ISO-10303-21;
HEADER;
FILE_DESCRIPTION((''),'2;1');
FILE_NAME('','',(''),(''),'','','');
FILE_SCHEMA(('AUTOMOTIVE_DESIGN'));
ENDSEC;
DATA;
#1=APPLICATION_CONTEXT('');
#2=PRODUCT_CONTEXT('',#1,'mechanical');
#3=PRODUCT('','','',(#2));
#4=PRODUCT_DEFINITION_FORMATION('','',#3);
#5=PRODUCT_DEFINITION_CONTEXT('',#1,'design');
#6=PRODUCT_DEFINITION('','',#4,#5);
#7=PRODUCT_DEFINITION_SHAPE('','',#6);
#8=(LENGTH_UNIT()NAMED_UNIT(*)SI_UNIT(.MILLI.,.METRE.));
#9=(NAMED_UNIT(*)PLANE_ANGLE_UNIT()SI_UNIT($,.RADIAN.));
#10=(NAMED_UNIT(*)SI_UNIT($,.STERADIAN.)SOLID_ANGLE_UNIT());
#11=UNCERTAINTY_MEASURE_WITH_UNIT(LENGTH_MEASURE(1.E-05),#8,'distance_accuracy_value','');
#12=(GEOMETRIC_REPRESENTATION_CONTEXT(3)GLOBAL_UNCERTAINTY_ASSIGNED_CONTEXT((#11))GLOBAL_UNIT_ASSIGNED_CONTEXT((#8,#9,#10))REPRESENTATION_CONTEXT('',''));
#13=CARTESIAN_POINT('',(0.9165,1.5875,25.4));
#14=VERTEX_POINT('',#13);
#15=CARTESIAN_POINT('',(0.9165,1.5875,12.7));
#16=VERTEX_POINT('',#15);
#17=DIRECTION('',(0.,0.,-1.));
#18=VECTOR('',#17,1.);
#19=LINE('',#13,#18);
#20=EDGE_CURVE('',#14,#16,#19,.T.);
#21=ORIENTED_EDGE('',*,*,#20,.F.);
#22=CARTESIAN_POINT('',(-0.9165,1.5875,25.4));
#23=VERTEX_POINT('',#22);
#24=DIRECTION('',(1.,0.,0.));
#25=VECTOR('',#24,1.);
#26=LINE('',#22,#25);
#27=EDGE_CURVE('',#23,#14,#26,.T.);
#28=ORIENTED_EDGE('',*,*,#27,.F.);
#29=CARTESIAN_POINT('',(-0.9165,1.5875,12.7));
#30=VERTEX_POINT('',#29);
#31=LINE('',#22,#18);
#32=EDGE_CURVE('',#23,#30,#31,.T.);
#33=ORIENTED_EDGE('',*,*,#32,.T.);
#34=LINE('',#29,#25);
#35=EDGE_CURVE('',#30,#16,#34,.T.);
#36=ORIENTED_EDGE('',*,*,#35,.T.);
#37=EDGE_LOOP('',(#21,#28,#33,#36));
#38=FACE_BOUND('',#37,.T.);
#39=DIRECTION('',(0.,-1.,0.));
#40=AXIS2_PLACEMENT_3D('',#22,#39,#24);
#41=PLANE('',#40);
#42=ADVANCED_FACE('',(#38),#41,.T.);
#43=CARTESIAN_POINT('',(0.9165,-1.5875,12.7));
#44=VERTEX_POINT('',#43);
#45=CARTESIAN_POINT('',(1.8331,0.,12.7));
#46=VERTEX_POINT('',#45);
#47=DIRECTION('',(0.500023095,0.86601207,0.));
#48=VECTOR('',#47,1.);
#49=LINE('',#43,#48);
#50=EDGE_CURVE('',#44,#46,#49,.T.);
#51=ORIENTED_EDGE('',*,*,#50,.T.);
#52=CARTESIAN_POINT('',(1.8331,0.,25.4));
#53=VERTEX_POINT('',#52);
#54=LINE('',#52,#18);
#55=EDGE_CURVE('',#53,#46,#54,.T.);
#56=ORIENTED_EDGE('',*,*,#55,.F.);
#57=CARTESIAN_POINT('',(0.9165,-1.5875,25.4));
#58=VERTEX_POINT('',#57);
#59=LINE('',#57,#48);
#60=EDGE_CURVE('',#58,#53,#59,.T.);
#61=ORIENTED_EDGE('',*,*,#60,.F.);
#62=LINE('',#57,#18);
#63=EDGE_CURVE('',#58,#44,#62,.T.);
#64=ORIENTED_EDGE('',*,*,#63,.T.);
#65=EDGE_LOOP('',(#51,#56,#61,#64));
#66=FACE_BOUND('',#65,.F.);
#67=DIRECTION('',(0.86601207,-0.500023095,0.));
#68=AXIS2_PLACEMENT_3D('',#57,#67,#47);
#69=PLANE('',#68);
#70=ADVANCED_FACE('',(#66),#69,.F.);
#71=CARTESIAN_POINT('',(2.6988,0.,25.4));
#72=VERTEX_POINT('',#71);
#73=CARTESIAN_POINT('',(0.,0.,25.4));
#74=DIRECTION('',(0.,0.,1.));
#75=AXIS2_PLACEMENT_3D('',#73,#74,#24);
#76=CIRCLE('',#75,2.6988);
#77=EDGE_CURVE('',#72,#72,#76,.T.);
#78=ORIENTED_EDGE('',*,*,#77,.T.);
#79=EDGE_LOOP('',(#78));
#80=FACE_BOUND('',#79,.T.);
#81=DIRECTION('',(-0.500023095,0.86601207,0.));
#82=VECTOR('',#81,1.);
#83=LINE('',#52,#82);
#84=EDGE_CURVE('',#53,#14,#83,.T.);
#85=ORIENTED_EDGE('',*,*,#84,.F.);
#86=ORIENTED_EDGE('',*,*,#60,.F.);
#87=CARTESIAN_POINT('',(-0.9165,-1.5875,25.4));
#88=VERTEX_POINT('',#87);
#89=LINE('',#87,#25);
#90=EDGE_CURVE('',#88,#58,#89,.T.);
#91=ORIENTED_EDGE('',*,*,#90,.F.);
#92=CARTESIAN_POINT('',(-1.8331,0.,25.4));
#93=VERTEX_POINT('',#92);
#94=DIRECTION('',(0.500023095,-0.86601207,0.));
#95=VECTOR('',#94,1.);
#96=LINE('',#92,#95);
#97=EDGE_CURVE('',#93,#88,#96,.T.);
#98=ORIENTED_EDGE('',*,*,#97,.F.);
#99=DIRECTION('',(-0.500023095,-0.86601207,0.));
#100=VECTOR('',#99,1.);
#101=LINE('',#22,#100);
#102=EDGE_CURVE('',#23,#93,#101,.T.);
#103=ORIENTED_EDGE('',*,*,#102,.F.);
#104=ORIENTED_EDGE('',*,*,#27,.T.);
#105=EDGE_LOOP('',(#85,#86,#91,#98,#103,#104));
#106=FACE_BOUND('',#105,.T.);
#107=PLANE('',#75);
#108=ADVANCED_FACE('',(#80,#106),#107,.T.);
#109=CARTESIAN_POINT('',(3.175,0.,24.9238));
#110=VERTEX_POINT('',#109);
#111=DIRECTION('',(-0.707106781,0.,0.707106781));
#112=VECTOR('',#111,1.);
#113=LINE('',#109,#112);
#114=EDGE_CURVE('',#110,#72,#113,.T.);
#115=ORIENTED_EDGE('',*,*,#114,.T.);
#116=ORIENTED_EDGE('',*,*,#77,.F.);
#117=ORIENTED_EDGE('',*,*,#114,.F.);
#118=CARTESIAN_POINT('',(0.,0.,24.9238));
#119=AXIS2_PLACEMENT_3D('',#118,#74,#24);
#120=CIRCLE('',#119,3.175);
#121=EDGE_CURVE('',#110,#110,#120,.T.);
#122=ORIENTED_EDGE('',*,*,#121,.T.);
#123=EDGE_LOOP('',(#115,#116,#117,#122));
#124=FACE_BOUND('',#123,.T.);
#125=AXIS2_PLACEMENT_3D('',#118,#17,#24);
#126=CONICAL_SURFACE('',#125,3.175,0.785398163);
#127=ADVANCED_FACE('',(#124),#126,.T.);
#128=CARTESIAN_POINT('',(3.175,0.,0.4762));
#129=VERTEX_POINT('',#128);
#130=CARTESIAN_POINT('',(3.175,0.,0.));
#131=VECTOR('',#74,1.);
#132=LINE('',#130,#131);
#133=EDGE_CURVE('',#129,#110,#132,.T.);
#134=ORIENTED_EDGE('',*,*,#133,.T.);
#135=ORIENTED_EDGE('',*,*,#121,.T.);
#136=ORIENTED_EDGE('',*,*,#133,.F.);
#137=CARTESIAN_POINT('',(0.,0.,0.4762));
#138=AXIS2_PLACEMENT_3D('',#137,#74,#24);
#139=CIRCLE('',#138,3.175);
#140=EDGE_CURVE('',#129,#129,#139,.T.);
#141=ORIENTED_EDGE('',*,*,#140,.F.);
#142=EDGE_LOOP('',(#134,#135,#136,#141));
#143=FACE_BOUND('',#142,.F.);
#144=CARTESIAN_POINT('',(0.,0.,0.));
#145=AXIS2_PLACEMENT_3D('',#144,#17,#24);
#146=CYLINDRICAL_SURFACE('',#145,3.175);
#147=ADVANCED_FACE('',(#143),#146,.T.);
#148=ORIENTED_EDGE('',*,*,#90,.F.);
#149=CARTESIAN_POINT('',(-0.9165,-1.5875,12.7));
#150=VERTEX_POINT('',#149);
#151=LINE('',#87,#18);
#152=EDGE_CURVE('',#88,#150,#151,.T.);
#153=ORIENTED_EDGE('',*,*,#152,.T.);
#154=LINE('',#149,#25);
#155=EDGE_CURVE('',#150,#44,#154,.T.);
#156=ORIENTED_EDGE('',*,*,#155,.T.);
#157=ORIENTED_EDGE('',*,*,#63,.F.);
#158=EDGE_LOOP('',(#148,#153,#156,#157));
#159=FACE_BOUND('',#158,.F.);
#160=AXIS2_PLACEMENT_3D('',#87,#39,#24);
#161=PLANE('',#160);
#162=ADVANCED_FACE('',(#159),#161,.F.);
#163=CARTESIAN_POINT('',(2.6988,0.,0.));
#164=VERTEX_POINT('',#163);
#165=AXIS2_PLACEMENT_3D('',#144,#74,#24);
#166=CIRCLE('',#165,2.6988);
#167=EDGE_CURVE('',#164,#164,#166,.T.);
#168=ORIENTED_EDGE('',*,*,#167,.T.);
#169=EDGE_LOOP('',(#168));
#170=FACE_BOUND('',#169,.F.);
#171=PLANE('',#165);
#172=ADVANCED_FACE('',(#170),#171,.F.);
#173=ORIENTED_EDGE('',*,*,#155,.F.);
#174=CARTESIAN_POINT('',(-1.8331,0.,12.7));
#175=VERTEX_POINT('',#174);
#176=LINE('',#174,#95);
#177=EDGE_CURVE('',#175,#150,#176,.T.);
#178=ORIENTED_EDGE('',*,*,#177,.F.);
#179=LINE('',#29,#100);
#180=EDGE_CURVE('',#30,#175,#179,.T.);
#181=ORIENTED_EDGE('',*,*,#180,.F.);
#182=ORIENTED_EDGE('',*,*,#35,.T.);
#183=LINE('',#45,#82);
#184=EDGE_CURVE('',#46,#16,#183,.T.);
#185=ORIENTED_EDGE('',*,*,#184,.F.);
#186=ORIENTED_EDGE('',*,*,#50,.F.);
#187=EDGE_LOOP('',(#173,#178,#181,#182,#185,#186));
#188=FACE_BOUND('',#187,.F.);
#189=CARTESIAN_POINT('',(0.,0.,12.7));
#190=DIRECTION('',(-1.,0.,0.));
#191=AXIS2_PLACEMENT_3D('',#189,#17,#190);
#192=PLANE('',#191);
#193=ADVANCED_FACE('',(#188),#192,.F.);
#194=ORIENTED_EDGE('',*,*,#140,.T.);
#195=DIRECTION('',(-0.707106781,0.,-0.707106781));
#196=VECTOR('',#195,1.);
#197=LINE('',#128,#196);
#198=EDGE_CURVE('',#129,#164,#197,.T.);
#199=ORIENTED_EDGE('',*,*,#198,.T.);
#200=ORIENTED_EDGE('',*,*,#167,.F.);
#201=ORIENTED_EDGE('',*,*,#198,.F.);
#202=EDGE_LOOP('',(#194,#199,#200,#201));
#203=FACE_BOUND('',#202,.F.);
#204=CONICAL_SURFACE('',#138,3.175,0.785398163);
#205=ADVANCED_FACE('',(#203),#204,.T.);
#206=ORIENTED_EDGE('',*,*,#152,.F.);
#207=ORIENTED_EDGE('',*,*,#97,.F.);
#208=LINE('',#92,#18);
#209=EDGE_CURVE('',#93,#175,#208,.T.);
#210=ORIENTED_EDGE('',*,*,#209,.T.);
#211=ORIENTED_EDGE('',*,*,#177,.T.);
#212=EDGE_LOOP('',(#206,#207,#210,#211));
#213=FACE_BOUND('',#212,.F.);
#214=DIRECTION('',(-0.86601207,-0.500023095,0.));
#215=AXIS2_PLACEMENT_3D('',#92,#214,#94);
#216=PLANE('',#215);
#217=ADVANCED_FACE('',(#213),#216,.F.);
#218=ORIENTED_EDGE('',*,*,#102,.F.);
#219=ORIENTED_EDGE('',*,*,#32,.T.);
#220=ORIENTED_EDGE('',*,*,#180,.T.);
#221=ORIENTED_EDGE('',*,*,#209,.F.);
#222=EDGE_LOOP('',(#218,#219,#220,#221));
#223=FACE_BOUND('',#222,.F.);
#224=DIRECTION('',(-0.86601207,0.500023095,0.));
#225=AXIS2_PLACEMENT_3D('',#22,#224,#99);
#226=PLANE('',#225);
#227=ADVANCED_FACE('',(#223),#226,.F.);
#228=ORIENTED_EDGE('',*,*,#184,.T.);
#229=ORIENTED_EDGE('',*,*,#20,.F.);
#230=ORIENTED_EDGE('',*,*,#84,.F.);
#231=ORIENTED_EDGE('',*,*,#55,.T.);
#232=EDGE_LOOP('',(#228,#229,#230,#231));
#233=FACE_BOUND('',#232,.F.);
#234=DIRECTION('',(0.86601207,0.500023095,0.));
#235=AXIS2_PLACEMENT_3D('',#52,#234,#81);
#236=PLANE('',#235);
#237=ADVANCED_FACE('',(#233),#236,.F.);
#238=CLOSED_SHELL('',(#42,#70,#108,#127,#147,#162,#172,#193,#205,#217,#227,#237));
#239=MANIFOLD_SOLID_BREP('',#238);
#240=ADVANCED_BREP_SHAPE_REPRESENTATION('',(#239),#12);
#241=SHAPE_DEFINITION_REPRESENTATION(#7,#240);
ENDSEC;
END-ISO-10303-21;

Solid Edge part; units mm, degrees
sketch "Sketch1" plane through (0, 0, 0) normal (0, 0, 1) x (1, 0, 0)
  circle A0 centre (0, 0) radius 3.175
  dimension "D1" = 6.35
extrude "Protrusion1" add sketch "Sketch1" along normal blind 25.4
chamfer "Chamfer1" distance 0.4762 angle 45 2 edges at (-3.175, 0, 0) (-3.175, 0, 25.4)
sketch "Sketch2" plane through (0, 0, 25.4) normal (0, 0, 1) x (1, 0, 0)
  line L0 (-0.9165, 1.5875) -> (0.9165, 1.5875)
  line L1 (1.8331, 0) -> (0.9165, 1.5875)
  line L2 (0.9165, -1.5875) -> (1.8331, 0)
  line L3 (-0.9165, -1.5875) -> (0.9165, -1.5875)
  line L4 (-1.8331, 0) -> (-0.9165, -1.5875)
  line L5 (-0.9165, 1.5875) -> (-1.8331, 0)
  dimension "D1" = 3.175
extrude "Cutout1" cut sketch "Sketch2" against normal blind 12.7
properties part number "162156"
